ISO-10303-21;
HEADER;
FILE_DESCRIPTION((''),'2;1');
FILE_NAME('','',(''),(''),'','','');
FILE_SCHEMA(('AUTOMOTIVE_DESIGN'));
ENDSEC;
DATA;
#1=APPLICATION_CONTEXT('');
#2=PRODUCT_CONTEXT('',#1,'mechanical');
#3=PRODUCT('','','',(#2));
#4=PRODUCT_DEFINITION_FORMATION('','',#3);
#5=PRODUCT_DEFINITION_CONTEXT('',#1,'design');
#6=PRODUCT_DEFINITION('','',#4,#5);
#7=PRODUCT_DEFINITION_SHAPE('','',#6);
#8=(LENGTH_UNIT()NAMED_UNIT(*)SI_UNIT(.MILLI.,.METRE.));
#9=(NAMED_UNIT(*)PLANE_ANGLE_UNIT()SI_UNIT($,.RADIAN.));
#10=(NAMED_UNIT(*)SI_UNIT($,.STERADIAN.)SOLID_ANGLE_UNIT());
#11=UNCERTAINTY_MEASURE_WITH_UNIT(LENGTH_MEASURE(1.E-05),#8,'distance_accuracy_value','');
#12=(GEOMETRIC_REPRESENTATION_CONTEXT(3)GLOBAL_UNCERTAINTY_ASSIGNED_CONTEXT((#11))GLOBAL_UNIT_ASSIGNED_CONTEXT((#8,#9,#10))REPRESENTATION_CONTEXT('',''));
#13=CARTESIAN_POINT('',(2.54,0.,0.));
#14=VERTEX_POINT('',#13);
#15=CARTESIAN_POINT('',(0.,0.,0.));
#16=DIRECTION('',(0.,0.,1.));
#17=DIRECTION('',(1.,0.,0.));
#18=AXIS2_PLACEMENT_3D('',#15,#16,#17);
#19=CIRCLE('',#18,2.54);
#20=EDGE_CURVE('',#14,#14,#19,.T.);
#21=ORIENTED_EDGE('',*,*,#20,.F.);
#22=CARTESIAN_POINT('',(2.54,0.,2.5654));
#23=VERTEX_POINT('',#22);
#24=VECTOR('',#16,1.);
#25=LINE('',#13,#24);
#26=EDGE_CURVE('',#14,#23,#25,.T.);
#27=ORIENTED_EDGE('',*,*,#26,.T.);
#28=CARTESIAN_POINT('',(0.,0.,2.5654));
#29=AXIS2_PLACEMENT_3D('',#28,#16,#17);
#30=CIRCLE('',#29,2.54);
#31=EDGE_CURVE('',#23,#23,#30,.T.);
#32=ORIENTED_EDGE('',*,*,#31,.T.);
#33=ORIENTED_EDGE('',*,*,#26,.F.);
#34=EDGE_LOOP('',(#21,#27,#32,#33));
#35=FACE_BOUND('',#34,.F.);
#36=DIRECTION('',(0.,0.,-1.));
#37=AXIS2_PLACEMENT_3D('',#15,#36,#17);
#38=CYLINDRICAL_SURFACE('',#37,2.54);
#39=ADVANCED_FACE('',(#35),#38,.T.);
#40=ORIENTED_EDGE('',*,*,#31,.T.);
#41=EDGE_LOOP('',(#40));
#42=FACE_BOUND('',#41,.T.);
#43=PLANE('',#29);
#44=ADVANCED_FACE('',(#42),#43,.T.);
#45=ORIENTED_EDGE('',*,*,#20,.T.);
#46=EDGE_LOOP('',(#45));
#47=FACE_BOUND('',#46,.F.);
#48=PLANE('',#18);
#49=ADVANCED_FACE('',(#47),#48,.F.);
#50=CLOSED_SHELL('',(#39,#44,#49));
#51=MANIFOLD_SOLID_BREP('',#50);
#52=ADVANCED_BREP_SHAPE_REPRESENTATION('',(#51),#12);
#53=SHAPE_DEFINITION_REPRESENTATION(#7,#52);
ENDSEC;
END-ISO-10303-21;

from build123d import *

# Parameters (mm, degrees)
F0_R     = 2.54
F1_DEPTH = 10.16
F3_R     = 2.54
F4_DEPTH = 7.62


with BuildPart() as f1:
    # F0 (on Top) → F1 (new body)
    with BuildSketch(Plane.XY):
        Circle(F0_R)
    extrude(amount=F1_DEPTH)

    # F3 (on offset) → F4 (cut)
    with BuildSketch(Plane.XY.offset(10.1854)):
        Circle(F3_R)
    extrude(amount=-F4_DEPTH, mode=Mode.SUBTRACT)


solid = f1.part
